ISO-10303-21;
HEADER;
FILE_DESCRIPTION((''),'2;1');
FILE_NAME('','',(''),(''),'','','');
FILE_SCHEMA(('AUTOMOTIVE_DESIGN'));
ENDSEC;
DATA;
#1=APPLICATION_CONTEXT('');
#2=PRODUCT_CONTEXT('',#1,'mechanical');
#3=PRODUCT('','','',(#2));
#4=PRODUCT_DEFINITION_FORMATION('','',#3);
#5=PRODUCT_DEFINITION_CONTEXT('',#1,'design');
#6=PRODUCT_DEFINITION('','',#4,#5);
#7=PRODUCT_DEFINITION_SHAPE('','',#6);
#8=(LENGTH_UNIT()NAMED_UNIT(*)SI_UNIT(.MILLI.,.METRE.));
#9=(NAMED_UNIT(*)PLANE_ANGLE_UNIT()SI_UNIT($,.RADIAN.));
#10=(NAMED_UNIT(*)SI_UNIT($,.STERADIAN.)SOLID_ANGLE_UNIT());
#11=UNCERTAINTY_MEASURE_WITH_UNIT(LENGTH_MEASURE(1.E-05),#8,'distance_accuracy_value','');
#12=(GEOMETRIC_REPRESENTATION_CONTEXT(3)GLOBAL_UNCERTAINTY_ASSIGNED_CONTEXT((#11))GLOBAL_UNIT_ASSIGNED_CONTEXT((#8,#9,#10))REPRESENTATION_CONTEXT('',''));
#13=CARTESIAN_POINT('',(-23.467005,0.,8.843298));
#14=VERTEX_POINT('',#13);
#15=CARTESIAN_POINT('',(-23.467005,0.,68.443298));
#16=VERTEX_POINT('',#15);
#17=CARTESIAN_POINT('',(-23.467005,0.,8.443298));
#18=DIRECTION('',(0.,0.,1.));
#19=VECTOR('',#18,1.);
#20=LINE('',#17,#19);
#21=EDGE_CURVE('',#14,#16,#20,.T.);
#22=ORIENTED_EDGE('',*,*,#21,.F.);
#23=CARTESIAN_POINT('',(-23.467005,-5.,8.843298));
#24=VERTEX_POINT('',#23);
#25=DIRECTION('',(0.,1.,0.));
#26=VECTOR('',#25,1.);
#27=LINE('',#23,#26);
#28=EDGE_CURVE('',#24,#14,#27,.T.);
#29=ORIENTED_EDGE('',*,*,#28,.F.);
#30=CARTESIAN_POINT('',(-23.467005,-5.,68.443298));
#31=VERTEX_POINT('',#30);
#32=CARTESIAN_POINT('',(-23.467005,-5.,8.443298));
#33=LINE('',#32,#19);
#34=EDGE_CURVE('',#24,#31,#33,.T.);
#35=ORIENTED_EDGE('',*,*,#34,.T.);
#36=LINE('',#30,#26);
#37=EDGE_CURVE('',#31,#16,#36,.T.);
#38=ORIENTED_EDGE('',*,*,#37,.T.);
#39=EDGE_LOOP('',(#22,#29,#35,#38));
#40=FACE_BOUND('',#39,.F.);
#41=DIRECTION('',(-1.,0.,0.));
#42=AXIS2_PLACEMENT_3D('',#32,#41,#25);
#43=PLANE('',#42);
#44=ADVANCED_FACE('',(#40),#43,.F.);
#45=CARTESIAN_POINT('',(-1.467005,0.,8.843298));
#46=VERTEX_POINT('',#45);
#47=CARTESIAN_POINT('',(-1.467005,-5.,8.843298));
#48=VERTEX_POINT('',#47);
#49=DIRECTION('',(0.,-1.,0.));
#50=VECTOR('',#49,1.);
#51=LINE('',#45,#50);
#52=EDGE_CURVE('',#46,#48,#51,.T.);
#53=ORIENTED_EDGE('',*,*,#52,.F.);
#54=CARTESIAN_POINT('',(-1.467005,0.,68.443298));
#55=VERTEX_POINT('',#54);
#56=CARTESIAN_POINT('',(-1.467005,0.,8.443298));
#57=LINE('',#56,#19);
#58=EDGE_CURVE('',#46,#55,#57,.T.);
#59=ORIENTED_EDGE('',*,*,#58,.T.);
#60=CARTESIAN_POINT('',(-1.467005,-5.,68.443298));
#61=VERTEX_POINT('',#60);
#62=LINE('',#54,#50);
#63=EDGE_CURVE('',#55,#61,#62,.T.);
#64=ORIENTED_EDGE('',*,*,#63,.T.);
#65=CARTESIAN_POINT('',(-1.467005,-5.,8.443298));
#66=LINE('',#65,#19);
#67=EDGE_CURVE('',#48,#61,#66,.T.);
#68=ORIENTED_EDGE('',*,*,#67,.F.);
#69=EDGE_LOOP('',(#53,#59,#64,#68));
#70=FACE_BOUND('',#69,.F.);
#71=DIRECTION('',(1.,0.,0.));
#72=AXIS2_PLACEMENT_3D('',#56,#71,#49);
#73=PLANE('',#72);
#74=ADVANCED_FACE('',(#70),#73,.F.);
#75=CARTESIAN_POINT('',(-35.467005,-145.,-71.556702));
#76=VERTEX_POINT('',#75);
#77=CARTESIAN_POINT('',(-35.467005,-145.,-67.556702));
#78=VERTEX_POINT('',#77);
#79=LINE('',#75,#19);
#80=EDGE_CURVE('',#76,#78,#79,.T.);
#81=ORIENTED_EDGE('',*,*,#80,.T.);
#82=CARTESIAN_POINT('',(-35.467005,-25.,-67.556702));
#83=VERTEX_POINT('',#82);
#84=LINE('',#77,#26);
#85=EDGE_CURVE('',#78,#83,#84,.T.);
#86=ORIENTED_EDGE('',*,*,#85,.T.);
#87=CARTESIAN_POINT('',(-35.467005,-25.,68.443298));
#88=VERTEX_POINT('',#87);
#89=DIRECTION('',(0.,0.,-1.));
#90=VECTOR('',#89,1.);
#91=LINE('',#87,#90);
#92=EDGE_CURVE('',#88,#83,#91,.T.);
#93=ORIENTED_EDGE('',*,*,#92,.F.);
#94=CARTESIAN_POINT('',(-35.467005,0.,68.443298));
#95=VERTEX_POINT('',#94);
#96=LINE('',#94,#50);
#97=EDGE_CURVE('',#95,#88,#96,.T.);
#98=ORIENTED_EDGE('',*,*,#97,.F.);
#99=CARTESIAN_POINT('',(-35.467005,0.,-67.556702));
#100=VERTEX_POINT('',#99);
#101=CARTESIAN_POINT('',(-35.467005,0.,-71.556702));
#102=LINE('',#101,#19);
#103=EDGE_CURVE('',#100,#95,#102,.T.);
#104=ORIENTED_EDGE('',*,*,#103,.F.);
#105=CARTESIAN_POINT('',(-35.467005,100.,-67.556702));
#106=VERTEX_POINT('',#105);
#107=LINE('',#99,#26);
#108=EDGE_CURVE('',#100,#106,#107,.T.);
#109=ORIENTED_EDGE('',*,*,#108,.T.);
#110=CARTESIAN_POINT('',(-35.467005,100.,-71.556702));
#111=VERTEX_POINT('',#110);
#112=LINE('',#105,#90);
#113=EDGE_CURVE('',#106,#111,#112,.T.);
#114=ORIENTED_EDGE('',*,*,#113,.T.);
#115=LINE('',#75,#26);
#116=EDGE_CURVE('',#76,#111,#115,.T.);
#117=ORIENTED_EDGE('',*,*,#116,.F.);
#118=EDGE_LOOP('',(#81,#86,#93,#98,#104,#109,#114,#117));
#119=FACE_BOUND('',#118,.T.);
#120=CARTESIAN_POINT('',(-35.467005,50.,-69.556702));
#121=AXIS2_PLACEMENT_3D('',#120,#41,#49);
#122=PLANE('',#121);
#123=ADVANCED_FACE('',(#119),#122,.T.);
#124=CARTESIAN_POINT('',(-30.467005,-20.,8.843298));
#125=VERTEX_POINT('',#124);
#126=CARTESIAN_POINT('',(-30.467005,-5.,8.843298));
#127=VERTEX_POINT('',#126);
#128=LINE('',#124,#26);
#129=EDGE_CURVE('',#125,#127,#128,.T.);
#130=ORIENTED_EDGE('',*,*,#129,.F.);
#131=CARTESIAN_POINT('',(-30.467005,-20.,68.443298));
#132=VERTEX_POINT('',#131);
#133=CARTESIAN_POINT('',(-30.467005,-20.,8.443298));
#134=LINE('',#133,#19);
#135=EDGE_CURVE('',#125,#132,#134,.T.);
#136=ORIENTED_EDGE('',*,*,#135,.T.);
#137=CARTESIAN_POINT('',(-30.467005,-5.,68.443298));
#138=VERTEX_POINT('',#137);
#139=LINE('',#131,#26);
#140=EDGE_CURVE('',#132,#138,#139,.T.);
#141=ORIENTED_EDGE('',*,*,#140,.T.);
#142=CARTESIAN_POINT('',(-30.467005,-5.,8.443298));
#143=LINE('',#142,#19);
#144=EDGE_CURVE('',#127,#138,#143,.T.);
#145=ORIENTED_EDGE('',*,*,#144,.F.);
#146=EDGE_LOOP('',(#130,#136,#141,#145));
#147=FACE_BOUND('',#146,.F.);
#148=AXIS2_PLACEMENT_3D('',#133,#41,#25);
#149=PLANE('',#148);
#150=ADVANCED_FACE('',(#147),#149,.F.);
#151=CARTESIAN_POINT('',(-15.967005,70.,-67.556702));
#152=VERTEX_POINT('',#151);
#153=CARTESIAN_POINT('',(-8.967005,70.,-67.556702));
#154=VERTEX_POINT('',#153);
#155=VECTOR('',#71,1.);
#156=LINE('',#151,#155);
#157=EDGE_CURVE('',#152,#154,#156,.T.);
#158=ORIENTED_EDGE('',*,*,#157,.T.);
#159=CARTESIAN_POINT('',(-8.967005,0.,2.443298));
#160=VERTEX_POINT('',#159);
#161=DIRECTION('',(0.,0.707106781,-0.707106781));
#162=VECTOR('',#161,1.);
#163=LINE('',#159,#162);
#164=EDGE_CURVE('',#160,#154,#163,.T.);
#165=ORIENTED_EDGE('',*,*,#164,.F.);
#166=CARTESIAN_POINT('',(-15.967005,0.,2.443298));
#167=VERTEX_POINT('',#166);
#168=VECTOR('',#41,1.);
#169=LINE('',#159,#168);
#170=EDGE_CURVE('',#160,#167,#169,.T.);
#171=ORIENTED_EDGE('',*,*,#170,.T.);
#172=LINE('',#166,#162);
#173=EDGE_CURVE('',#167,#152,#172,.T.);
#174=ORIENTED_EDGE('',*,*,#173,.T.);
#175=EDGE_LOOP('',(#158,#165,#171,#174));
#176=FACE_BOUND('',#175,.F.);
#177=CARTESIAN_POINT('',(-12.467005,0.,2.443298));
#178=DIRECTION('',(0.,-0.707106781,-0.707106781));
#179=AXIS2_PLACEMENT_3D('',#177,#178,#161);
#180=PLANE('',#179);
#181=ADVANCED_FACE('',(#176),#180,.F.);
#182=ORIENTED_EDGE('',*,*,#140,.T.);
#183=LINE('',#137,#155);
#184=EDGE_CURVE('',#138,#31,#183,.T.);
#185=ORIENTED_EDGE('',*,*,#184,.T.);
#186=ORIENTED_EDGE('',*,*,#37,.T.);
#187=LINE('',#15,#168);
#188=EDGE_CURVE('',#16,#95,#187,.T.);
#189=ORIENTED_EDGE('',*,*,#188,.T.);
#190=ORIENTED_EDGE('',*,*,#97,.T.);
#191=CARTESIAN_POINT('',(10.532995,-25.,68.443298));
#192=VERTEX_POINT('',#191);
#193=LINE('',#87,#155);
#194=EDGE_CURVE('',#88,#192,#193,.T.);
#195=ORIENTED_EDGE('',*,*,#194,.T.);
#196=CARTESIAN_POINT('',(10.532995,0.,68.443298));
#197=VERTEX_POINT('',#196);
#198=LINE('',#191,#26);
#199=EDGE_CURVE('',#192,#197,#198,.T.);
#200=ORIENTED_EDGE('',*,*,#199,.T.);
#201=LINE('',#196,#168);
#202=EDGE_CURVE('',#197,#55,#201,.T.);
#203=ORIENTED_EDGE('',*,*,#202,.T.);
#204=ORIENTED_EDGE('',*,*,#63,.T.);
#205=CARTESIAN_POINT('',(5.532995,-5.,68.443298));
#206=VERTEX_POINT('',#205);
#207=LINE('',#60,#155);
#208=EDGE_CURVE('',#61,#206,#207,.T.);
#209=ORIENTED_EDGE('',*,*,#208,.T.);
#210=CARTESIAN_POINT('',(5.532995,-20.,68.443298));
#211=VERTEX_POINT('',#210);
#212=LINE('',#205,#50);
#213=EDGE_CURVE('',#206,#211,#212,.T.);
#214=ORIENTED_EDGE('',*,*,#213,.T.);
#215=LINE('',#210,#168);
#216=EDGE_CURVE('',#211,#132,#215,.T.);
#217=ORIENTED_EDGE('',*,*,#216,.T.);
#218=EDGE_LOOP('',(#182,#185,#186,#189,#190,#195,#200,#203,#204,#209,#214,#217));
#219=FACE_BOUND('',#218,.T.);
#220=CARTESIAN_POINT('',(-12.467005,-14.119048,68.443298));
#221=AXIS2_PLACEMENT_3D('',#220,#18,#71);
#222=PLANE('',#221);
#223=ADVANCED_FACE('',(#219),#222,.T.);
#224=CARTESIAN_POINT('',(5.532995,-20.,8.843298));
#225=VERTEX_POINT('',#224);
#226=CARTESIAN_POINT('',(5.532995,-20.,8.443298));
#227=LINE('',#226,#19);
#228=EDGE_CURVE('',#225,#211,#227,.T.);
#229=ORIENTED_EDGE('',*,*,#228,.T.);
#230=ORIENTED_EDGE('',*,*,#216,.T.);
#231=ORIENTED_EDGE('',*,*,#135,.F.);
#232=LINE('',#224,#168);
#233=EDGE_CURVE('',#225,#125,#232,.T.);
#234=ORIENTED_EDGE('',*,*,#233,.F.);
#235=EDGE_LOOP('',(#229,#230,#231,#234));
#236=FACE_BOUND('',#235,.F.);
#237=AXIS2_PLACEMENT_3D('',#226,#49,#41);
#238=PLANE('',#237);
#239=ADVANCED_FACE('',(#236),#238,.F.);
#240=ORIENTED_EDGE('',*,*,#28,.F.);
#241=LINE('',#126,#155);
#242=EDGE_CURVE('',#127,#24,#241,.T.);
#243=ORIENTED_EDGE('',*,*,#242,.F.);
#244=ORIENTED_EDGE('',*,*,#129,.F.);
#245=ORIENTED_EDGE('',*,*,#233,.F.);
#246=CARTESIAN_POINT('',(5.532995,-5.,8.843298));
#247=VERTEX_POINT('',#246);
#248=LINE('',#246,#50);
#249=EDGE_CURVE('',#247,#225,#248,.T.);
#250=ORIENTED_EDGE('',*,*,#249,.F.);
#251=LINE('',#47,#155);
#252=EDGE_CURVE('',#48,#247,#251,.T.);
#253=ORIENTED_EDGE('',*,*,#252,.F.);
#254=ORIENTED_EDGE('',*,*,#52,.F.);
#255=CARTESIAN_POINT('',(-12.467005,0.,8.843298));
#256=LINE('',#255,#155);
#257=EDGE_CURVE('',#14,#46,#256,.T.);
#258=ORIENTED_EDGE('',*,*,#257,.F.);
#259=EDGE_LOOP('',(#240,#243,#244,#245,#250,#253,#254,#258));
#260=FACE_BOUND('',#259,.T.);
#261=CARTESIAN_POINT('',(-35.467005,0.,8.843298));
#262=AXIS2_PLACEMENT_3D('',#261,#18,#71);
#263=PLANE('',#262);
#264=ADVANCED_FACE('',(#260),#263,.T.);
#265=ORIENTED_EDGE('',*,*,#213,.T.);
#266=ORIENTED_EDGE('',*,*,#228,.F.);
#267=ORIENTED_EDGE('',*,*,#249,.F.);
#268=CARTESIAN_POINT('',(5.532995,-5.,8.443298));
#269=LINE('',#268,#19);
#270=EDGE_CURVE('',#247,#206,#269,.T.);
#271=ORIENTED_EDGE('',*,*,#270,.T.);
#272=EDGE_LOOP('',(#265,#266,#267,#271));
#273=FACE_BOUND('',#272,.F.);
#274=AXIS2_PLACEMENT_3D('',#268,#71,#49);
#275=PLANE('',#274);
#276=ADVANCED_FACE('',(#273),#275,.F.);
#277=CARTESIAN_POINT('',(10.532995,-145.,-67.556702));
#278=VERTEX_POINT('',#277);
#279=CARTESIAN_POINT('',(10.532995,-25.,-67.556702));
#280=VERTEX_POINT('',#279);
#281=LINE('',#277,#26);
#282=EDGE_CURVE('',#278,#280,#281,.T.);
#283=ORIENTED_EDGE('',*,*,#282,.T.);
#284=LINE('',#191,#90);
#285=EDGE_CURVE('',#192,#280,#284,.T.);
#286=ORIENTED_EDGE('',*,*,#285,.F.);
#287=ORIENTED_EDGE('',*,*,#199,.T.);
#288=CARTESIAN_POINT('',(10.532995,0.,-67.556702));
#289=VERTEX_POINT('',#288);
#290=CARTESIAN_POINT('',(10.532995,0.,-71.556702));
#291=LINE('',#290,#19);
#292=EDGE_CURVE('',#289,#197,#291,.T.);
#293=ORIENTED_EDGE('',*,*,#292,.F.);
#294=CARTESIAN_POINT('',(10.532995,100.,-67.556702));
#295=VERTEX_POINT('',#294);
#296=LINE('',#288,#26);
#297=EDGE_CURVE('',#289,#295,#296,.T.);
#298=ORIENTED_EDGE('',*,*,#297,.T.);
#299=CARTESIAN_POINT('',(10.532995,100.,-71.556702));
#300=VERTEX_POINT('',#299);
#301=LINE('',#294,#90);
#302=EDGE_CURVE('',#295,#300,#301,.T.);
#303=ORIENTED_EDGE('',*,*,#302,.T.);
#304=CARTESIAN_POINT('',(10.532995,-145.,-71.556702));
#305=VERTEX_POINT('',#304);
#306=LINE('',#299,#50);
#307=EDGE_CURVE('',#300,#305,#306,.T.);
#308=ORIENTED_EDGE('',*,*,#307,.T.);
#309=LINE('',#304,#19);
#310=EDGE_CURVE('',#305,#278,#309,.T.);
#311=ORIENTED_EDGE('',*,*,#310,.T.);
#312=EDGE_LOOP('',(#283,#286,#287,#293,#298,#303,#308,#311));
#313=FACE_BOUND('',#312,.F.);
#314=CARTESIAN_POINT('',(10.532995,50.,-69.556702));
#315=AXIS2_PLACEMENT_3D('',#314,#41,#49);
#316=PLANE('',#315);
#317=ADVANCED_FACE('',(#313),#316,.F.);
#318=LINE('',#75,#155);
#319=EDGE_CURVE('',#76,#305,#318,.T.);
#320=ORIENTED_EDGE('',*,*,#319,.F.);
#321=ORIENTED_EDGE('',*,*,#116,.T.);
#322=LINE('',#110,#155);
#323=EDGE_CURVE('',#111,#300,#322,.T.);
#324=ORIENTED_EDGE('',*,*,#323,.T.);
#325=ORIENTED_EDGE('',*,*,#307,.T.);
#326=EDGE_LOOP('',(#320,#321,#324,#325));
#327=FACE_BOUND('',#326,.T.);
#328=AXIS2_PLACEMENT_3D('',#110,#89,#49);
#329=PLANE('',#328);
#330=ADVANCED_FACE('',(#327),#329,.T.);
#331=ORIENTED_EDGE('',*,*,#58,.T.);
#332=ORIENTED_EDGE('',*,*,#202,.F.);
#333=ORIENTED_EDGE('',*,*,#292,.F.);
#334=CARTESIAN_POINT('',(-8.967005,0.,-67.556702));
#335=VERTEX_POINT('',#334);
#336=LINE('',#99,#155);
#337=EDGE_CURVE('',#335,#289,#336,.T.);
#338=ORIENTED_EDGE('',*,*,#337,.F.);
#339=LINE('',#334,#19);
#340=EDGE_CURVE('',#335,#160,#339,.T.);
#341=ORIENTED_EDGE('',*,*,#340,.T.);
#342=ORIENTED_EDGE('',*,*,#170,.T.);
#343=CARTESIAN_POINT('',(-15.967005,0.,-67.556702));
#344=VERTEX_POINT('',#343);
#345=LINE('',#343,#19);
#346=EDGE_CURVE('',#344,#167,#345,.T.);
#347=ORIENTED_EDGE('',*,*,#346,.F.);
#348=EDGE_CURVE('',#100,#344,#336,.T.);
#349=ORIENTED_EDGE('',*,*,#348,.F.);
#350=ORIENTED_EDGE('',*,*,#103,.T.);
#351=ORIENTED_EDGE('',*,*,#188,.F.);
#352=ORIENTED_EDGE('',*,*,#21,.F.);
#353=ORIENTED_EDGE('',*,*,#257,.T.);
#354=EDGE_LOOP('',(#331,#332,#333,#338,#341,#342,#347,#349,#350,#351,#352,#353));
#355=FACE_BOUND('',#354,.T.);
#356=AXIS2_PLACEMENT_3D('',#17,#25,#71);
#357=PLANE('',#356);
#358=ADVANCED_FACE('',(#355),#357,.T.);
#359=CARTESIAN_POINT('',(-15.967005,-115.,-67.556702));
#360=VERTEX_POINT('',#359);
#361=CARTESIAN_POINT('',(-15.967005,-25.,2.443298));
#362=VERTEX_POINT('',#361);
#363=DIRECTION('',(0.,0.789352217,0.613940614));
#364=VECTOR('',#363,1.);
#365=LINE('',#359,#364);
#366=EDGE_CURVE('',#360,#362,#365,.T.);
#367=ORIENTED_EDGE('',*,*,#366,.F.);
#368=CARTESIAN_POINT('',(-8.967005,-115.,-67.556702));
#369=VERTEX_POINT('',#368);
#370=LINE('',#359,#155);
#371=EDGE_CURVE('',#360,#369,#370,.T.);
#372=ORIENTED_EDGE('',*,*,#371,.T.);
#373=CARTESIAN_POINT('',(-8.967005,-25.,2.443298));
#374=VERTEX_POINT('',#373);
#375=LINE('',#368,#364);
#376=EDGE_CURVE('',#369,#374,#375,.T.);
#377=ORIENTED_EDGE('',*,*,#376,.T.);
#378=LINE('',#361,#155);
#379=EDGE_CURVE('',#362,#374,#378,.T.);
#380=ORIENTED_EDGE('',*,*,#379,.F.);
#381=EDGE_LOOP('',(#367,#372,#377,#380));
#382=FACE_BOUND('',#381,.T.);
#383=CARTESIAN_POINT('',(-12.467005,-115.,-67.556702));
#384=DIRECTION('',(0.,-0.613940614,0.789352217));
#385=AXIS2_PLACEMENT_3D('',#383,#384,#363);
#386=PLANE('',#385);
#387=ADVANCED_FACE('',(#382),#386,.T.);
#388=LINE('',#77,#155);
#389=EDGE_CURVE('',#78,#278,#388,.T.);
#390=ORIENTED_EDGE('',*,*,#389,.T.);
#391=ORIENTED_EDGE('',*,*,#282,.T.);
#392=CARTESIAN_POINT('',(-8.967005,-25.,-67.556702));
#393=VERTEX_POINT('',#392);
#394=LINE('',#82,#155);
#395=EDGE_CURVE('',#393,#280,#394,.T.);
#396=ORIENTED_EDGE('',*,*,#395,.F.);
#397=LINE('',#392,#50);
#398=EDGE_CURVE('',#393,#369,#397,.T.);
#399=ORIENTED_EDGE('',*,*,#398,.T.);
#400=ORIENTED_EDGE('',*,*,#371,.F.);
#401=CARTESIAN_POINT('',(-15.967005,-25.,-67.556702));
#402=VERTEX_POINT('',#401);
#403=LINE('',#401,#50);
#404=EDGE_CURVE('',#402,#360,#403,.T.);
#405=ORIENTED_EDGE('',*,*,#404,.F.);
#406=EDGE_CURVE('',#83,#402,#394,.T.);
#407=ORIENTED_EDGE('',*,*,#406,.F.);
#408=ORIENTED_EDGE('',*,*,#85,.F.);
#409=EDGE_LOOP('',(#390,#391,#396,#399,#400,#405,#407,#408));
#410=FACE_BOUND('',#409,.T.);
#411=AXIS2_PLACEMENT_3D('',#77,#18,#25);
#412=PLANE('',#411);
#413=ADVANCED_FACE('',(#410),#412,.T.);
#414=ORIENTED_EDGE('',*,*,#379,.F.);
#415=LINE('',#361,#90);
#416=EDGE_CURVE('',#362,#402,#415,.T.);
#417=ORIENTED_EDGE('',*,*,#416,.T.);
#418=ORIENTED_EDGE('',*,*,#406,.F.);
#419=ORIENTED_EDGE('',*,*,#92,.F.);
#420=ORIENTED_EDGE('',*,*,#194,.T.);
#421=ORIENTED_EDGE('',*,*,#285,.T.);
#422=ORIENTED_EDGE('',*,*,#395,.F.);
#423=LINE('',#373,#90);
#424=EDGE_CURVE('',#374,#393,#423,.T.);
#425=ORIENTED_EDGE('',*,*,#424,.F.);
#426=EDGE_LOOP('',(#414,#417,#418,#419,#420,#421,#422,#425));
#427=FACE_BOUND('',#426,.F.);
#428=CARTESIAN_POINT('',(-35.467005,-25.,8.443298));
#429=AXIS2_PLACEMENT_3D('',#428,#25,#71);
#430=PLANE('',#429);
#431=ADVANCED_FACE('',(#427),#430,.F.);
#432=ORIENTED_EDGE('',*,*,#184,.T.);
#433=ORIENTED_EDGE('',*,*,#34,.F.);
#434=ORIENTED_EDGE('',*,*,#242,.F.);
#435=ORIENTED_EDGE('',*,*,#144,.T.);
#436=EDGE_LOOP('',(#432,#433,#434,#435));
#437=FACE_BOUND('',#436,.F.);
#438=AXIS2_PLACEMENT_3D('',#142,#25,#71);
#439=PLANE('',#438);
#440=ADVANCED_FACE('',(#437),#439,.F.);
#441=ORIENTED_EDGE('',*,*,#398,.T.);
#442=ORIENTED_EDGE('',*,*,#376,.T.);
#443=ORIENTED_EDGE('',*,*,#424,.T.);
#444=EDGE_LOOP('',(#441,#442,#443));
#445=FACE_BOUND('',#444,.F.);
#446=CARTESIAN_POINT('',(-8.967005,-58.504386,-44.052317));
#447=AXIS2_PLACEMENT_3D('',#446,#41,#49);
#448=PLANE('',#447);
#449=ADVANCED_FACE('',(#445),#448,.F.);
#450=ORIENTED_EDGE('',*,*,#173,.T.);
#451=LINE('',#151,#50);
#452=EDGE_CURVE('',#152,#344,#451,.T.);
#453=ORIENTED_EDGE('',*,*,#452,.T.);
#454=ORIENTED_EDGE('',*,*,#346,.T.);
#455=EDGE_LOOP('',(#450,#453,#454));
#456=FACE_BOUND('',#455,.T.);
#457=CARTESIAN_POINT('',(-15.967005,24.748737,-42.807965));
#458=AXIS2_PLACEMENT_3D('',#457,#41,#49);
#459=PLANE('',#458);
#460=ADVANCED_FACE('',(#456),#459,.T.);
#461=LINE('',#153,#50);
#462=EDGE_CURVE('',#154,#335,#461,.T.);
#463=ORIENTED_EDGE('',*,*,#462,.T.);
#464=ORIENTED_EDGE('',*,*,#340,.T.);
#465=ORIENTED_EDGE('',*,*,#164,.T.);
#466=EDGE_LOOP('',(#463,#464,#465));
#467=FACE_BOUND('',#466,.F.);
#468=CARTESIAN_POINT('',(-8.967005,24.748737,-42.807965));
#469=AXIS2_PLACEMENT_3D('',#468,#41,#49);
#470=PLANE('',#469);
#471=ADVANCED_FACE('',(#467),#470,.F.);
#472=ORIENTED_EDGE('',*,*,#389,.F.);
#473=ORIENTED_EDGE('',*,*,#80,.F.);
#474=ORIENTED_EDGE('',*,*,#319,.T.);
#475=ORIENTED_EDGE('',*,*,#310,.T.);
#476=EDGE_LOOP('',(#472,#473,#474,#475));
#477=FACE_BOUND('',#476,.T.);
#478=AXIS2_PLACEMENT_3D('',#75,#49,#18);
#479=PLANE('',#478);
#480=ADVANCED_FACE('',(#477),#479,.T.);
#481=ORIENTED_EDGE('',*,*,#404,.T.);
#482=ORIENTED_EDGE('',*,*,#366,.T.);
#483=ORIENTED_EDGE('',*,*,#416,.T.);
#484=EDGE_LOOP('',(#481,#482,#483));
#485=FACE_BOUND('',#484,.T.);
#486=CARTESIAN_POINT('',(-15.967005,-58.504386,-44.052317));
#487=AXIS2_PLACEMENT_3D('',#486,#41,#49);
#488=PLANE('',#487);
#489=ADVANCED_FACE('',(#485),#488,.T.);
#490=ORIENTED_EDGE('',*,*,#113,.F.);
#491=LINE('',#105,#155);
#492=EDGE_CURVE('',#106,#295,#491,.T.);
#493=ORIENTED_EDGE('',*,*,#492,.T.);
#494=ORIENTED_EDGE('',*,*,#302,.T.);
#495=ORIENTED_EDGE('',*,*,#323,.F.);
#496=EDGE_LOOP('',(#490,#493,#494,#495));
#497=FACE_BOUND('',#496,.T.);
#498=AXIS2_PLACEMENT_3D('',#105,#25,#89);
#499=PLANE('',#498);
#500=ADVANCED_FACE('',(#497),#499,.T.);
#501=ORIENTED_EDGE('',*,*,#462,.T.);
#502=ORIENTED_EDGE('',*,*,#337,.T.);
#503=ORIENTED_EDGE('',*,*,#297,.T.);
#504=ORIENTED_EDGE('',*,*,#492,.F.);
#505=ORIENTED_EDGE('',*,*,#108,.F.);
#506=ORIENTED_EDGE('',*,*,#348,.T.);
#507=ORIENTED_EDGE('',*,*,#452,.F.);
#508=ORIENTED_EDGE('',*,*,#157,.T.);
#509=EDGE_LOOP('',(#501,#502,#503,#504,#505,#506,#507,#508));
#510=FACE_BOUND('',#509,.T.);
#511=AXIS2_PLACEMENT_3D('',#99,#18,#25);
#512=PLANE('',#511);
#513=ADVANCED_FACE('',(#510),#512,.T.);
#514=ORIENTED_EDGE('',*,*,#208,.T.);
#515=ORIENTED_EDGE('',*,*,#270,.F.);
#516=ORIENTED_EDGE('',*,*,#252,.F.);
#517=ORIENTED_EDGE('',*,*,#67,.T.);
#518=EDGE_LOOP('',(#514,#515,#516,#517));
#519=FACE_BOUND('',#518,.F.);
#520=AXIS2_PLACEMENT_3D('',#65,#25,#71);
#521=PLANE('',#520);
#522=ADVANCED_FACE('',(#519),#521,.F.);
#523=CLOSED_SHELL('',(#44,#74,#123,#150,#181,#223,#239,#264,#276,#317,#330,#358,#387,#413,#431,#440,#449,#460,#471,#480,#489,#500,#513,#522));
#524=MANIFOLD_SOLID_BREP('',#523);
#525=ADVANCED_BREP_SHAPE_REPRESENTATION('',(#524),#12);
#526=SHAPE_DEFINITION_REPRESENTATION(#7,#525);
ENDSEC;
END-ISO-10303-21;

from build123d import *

# Parameters (mm, degrees)
F0_W      = 46
F0_H      = 80
F1_DEPTH  = 25
F4_DEPTH  = 60
F5_DEPTH  = 46
F8_DEPTH  = 3.5
F10_DEPTH = 0.4


with BuildPart() as f1:
    # F0 (on Front) → F1 (new body)
    with BuildSketch(Plane.XZ):
        with Locations((-12.4670048244, -31.5567021806)):
            Rectangle(F0_W, F0_H)
    extrude(amount=F1_DEPTH)

    # F3 (on face) → F4 (join)
    with BuildSketch(Plane.XY.offset(8.4432978194)):
        Polygon((10.5329951756, -25), (10.5329951756, 0), (-1.4670048244, 0), (-1.4670048244, -5), (5.5329951756, -5), (5.5329951756, -20), (-30.4670048244, -20), (-30.4670048244, -5), (-23.4670048244, -5), (-23.4670048244, 0), (-35.4670048244, 0), (-35.4670048244, -25), align=None)
    extrude(amount=F4_DEPTH)

    # F2 (on face) → F5 (join)
    with BuildSketch(Plane(origin=(-35.4670048244, 0, 0), x_dir=(0, -1, 0), z_dir=(-1, 0, 0))):
        Polygon((-100, -71.5567021806), (0, -71.5567021806), (0, -67.5567021806), (-70, -67.5567021806), (-100, -67.5567021806), align=None)
        Polygon((25, -67.5567021806), (25, -71.5567021806), (145, -71.5567021806), (145, -67.5567021806), (115, -67.5567021806), align=None)
    extrude(amount=-F5_DEPTH)

    # F7 (on offset) → F8 (join, symmetric)
    with BuildSketch(Plane(origin=(-12.4670048244, 0, 0), x_dir=(0, -1, 0), z_dir=(-1, 0, 0))):
        Polygon((0, -67.5567021806), (0, 2.4432978194), (-70, -67.5567021806), align=None)
        Polygon((25, 2.4432978194), (25, -67.5567021806), (115, -67.5567021806), align=None)
    extrude(amount=F8_DEPTH, both=True)

    # F10 (add, through all): a face of the model
    f10_faces = [f1.faces().sort_by_distance(p)[0] for p in [
        (-12.4670048244, -10.8076923077, 8.4432978194),
    ]]
    extrude(f10_faces, amount=F10_DEPTH)


solid = f1.part
